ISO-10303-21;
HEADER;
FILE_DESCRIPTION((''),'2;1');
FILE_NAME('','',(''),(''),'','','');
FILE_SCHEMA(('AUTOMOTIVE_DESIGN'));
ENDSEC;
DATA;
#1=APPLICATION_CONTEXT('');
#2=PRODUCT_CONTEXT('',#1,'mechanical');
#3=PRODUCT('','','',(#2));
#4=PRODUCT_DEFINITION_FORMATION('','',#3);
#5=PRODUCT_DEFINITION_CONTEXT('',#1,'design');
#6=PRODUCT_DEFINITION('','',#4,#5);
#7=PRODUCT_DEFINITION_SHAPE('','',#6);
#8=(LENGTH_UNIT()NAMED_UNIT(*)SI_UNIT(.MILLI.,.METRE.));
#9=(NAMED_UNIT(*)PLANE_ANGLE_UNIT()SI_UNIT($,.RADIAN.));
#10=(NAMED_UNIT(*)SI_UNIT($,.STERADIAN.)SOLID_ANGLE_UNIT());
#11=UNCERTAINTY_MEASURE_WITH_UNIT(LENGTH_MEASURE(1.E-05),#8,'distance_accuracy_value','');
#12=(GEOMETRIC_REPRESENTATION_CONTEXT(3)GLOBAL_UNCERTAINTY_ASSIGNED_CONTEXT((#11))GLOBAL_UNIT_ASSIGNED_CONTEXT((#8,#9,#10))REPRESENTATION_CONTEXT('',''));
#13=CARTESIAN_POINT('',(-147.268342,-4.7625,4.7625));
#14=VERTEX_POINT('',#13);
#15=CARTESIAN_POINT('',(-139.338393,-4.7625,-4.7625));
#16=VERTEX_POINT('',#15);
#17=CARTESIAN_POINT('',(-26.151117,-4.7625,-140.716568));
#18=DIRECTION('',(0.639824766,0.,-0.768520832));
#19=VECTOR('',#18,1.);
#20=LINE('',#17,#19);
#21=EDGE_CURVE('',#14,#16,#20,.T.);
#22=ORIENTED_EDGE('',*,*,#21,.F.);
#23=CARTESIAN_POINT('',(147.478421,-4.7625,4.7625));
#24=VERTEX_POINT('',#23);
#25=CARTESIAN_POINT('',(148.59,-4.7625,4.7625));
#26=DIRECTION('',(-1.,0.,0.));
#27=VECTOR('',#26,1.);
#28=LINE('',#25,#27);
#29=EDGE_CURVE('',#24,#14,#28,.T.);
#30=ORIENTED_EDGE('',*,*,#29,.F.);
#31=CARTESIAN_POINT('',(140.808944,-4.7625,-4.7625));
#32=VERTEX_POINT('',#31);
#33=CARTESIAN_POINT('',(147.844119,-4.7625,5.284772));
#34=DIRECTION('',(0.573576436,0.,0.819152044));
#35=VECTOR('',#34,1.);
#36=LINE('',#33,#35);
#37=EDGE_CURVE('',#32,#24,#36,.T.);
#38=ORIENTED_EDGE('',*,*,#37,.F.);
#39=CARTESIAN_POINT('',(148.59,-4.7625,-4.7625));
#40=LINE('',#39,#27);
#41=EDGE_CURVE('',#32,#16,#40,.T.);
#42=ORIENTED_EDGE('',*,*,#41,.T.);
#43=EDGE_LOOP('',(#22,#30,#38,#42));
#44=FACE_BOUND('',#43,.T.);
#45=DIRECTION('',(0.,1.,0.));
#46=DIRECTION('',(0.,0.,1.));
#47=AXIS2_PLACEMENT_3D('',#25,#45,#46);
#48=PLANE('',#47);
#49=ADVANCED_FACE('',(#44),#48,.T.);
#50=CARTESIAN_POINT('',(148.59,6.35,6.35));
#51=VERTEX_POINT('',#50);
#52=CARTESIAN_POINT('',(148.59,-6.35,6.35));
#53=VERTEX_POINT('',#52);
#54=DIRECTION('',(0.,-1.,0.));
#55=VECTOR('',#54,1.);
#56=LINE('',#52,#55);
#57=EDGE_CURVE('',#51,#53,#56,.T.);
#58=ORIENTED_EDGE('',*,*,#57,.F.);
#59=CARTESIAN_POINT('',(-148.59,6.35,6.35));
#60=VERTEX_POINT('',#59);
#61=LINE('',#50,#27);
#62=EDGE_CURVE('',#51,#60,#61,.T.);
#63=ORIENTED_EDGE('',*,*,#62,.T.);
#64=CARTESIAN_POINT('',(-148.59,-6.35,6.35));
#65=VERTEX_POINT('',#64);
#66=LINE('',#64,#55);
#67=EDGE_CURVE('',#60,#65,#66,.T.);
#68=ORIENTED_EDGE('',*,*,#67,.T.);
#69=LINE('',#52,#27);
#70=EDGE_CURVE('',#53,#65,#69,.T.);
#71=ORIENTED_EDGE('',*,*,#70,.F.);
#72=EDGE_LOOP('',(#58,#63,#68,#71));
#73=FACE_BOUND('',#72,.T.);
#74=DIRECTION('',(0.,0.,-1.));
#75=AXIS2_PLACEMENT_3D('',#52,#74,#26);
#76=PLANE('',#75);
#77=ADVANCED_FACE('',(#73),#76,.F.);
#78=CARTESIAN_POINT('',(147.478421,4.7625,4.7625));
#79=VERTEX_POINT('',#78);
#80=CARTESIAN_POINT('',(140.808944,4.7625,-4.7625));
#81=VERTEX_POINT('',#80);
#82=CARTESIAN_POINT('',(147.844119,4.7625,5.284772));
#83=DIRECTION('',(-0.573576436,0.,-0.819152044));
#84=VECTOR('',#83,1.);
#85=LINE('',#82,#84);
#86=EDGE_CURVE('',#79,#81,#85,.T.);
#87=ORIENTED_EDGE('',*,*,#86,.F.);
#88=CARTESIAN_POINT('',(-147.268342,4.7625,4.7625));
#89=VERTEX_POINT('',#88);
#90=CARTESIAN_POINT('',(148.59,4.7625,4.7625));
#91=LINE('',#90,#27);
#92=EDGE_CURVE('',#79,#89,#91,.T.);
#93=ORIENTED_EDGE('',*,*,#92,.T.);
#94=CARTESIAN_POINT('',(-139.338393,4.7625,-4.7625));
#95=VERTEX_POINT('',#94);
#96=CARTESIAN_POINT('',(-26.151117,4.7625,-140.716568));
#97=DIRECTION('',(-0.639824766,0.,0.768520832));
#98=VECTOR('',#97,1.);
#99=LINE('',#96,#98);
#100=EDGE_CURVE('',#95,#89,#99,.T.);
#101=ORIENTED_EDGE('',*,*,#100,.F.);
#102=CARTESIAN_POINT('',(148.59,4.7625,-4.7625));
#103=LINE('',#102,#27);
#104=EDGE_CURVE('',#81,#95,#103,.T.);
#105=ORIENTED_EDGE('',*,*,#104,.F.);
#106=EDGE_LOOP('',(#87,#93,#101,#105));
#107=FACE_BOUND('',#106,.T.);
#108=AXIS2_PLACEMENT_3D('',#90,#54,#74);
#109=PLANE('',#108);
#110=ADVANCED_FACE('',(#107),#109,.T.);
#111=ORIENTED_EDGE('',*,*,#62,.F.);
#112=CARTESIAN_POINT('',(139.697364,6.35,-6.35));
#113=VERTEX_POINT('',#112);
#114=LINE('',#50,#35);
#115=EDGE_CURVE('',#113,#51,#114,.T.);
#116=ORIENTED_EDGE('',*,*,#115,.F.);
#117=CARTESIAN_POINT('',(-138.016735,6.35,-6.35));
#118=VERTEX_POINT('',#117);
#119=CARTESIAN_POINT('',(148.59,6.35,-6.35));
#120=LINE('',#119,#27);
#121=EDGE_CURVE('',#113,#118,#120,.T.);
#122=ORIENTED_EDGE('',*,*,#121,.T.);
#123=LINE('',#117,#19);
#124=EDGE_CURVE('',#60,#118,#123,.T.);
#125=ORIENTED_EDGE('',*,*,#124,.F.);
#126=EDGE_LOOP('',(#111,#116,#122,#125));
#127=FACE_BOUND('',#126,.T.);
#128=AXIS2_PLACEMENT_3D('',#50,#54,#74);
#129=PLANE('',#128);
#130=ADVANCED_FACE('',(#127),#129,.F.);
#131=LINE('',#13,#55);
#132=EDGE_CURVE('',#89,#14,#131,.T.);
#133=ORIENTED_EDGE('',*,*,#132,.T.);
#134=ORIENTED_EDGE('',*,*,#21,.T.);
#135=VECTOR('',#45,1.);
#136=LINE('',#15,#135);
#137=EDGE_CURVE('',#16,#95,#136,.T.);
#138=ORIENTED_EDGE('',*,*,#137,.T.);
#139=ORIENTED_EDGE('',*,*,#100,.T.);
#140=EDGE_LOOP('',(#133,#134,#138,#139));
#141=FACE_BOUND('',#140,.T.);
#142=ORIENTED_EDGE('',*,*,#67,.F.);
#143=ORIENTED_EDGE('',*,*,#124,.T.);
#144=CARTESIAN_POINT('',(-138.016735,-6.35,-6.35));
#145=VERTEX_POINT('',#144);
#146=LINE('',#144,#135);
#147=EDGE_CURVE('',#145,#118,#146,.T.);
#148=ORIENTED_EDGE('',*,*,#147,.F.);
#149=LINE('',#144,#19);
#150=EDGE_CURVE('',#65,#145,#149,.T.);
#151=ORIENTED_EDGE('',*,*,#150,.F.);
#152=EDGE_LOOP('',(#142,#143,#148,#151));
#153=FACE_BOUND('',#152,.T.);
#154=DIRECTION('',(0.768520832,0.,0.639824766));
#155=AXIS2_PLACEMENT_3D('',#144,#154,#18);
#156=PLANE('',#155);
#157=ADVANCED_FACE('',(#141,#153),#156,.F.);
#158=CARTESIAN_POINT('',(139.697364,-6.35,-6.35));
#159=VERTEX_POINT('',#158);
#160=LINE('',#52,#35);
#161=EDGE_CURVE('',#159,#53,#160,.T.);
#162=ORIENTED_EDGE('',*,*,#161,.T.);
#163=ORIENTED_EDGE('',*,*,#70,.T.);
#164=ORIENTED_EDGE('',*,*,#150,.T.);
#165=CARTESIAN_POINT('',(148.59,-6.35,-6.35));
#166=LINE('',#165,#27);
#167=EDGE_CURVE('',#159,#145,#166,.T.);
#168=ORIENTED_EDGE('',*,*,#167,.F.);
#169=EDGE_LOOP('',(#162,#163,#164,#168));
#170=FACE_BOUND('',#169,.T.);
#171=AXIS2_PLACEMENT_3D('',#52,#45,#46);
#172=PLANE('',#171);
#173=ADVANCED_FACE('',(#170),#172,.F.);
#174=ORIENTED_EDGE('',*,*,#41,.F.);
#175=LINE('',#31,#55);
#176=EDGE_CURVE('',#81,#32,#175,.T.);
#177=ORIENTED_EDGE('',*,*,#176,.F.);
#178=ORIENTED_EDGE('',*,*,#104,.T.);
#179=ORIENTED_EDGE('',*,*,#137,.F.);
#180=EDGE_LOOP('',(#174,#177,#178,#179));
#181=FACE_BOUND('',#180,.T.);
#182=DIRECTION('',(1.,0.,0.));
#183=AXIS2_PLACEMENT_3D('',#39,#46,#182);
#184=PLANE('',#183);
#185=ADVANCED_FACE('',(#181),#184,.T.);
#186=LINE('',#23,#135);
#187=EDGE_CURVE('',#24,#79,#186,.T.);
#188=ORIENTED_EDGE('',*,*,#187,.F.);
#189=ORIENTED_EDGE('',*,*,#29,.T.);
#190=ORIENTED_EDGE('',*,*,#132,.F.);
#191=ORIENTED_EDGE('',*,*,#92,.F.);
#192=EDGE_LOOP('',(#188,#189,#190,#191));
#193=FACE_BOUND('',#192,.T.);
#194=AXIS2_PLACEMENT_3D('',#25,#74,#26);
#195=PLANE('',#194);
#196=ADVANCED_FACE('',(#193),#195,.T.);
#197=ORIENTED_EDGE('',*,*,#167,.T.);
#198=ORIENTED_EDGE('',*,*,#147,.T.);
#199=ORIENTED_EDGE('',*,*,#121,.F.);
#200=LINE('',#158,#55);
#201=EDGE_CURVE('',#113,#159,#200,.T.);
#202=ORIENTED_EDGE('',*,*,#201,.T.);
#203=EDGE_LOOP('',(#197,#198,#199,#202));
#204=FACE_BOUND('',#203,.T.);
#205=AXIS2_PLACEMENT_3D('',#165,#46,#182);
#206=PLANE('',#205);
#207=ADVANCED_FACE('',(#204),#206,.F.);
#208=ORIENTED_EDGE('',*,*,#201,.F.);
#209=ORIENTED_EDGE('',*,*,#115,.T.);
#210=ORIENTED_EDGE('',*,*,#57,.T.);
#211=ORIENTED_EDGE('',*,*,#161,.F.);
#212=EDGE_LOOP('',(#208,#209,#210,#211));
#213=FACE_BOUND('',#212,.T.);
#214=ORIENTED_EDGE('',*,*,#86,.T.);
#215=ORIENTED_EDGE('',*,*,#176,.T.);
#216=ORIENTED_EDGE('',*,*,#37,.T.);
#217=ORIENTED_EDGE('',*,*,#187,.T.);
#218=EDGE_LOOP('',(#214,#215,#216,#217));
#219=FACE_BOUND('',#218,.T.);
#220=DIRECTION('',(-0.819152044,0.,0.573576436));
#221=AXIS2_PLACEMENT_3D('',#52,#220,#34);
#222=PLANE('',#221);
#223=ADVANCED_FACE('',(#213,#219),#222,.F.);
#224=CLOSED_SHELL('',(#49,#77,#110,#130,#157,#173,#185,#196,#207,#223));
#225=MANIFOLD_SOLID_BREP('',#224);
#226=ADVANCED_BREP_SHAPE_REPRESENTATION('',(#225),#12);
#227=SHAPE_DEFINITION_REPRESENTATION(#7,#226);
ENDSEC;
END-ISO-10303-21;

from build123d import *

# Parameters (mm, degrees)
SKETCH1_W               = 12.7
SKETCH1_H               = 12.7
SKETCH1_W_2             = 9.525
SKETCH1_H_2             = 9.525
BOSS_EXTRUDE1_DEPTH     = 148.59
CUT_EXTRUDE1_DEPTH      = 149.861120176
CUT_EXTRUDE1_DEPTH_BACK = 149.861120176
CUT_EXTRUDE2_DEPTH      = 149.861120176
CUT_EXTRUDE2_DEPTH_BACK = 149.861120176


with BuildPart() as part:
    # Sketch1 → Boss-Extrude1 (new, symmetric)
    with BuildSketch(Plane(origin=(0, 0, 0), x_dir=(0, 0, -1), z_dir=(1, 0, 0))):
        Rectangle(SKETCH1_W, SKETCH1_H)
        Rectangle(SKETCH1_W_2, SKETCH1_H_2, mode=Mode.SUBTRACT)
    extrude(amount=BOSS_EXTRUDE1_DEPTH, both=True)

    # Sketch2 → Cut-Extrude1 (cut, two sides: drawn at the far end of the back side and taken through both)
    with BuildSketch(Plane(origin=(0, 0, 0), x_dir=(1, 0, 0), z_dir=(0, 1, 0)).offset(-CUT_EXTRUDE1_DEPTH_BACK)):
        Polygon((148.59, -6.35), (125.346319759, 26.845415605), (148.59, 26.845415605), align=None)
    extrude(amount=CUT_EXTRUDE1_DEPTH + CUT_EXTRUDE1_DEPTH_BACK, mode=Mode.SUBTRACT)

    # Sketch3 → Cut-Extrude2 (cut, two sides: drawn at the far end of the back side and taken through both)
    with BuildSketch(Plane(origin=(0, 0, 0), x_dir=(1, 0, 0), z_dir=(0, 1, 0)).offset(-CUT_EXTRUDE2_DEPTH_BACK)):
        Polygon((-138.016734859, 6.35), (-148.59, -6.35), (-148.59, 6.35), align=None)
    extrude(amount=CUT_EXTRUDE2_DEPTH + CUT_EXTRUDE2_DEPTH_BACK, mode=Mode.SUBTRACT)


solid = part.part
